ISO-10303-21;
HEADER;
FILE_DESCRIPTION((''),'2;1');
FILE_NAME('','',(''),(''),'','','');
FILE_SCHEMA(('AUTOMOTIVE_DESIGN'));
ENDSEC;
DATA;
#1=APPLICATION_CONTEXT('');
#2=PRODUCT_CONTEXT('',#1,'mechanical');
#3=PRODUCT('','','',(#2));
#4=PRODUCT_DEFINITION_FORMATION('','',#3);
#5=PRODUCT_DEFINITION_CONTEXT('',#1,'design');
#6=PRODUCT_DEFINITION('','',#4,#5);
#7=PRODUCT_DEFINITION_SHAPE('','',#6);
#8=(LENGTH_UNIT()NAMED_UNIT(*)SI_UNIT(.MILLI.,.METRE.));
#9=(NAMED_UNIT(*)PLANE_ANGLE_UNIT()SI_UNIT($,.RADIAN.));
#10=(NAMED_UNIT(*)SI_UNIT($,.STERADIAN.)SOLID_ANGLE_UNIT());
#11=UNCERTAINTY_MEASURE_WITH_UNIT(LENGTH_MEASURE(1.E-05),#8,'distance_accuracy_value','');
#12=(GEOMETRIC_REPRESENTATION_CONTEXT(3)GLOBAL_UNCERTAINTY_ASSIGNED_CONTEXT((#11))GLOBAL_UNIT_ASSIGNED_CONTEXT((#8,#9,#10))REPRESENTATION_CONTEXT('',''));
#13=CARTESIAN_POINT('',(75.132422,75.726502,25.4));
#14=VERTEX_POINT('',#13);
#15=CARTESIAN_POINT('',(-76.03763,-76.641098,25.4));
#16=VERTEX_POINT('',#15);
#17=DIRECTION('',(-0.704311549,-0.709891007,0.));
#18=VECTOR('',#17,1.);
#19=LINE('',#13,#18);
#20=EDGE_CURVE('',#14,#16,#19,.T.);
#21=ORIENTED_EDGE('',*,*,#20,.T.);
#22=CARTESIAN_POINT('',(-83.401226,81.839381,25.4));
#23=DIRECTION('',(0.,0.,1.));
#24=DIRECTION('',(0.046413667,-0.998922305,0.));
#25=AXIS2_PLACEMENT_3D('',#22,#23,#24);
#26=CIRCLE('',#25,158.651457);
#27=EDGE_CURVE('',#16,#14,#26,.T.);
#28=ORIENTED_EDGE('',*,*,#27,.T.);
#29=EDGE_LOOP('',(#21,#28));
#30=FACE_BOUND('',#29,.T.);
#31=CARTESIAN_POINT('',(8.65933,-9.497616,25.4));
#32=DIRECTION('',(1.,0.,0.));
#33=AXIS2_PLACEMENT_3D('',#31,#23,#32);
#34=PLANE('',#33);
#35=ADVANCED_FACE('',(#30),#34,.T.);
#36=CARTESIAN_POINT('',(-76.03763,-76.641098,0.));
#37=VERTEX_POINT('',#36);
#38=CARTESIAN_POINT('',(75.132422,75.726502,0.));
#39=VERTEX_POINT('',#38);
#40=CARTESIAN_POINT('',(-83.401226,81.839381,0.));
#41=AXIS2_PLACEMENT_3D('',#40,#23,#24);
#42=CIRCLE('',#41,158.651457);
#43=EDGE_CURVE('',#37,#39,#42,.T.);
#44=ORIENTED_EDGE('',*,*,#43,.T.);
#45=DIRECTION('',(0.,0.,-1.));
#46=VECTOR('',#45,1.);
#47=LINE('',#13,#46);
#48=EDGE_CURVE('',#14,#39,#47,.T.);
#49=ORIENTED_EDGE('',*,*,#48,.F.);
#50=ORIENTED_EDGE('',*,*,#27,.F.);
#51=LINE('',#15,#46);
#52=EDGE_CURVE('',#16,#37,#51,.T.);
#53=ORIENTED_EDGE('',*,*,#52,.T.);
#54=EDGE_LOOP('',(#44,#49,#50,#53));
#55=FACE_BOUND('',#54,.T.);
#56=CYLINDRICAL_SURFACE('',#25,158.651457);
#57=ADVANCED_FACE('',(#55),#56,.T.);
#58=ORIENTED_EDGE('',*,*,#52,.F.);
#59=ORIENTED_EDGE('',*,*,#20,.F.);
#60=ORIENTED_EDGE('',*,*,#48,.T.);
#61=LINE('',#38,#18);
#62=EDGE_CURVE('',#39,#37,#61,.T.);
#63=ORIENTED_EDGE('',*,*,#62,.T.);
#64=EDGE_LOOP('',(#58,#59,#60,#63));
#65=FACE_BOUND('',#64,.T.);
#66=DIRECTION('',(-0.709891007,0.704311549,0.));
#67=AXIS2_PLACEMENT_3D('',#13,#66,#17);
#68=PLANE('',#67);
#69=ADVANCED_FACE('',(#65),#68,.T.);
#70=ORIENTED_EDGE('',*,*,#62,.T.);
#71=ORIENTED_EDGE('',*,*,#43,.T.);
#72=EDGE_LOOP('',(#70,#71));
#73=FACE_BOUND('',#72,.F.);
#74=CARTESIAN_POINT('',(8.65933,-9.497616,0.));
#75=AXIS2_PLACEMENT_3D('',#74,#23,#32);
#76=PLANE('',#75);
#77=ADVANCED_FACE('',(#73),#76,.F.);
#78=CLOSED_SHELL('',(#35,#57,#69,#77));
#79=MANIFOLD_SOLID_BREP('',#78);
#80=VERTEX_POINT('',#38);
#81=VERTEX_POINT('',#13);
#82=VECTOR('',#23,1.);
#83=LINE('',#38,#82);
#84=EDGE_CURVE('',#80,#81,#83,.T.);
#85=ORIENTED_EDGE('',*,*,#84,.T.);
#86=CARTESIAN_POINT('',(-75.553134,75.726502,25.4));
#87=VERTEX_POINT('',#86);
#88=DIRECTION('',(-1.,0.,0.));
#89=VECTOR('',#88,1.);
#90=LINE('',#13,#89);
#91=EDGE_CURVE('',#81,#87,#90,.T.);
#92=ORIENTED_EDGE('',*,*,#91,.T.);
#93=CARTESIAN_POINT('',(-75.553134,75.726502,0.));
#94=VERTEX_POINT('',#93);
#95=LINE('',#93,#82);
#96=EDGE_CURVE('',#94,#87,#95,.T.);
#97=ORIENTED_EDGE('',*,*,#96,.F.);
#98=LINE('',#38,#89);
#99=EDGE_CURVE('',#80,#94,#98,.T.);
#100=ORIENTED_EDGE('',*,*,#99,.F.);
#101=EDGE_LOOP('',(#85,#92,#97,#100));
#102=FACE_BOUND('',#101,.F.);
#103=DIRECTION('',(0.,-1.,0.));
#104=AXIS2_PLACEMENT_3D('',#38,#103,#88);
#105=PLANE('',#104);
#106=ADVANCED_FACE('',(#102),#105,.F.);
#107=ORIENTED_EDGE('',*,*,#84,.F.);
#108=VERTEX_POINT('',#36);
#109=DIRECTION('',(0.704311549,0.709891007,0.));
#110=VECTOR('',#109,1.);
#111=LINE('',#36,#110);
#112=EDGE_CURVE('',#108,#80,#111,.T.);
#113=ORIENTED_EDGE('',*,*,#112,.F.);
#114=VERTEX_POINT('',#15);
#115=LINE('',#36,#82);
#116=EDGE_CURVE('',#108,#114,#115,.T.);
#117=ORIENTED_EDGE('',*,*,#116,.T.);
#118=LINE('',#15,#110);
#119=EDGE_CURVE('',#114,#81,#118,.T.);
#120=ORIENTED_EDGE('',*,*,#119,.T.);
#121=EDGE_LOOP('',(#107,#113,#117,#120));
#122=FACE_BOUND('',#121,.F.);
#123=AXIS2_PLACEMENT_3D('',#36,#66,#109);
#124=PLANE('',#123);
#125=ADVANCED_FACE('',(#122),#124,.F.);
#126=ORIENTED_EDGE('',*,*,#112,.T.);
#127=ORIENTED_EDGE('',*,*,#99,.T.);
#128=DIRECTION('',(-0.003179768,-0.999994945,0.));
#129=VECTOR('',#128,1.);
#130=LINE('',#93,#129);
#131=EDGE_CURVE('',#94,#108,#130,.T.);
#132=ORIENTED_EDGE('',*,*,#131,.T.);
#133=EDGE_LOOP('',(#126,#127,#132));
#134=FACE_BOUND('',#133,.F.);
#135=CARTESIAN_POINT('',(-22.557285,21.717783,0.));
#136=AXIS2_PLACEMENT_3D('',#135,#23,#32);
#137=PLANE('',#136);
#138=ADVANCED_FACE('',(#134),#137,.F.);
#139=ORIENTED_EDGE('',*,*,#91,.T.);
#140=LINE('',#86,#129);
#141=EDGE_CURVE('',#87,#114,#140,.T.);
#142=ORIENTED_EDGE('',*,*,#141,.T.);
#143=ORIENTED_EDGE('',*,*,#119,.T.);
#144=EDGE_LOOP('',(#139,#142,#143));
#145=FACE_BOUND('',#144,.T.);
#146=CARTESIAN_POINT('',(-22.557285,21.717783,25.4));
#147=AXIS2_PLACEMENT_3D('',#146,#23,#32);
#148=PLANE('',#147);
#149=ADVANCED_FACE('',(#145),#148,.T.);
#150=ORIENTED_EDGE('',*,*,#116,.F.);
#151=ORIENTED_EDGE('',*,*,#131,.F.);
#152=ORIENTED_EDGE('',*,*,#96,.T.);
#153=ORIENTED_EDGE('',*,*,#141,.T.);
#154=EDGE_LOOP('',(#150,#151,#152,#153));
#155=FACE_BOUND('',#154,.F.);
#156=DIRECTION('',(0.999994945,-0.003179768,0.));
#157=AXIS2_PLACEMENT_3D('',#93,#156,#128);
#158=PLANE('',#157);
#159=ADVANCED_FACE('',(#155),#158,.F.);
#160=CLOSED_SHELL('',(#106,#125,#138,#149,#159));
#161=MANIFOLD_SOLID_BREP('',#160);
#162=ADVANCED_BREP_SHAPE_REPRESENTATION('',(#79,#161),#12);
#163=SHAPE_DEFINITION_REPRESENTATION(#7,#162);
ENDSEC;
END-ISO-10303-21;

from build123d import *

# Parameters (mm, degrees)
F2_DEPTH = 25.4
F4_DEPTH = 25.4


with BuildPart() as f2:
    # F1 (on face) → F2 (new body)
    with BuildSketch(Plane.XY):
        Polygon((-76.03763, -76.641098), (75.132422, 75.726502), (-75.553134, 75.726502), align=None)
    extrude(amount=F2_DEPTH)


with BuildPart() as f4:
    # F3 (on face) → F4 (new body)
    with BuildSketch(Plane.XY.offset(25.4)):
        with BuildLine():
            Line((75.132422, 75.726502), (-76.03763, -76.641098))
            ThreePointArc((-76.03763, -76.641098), (29.224016, -29.900673), (75.132422, 75.726502))
        make_face()
    extrude(amount=-F4_DEPTH)


solid = Compound([f2.part, f4.part])
